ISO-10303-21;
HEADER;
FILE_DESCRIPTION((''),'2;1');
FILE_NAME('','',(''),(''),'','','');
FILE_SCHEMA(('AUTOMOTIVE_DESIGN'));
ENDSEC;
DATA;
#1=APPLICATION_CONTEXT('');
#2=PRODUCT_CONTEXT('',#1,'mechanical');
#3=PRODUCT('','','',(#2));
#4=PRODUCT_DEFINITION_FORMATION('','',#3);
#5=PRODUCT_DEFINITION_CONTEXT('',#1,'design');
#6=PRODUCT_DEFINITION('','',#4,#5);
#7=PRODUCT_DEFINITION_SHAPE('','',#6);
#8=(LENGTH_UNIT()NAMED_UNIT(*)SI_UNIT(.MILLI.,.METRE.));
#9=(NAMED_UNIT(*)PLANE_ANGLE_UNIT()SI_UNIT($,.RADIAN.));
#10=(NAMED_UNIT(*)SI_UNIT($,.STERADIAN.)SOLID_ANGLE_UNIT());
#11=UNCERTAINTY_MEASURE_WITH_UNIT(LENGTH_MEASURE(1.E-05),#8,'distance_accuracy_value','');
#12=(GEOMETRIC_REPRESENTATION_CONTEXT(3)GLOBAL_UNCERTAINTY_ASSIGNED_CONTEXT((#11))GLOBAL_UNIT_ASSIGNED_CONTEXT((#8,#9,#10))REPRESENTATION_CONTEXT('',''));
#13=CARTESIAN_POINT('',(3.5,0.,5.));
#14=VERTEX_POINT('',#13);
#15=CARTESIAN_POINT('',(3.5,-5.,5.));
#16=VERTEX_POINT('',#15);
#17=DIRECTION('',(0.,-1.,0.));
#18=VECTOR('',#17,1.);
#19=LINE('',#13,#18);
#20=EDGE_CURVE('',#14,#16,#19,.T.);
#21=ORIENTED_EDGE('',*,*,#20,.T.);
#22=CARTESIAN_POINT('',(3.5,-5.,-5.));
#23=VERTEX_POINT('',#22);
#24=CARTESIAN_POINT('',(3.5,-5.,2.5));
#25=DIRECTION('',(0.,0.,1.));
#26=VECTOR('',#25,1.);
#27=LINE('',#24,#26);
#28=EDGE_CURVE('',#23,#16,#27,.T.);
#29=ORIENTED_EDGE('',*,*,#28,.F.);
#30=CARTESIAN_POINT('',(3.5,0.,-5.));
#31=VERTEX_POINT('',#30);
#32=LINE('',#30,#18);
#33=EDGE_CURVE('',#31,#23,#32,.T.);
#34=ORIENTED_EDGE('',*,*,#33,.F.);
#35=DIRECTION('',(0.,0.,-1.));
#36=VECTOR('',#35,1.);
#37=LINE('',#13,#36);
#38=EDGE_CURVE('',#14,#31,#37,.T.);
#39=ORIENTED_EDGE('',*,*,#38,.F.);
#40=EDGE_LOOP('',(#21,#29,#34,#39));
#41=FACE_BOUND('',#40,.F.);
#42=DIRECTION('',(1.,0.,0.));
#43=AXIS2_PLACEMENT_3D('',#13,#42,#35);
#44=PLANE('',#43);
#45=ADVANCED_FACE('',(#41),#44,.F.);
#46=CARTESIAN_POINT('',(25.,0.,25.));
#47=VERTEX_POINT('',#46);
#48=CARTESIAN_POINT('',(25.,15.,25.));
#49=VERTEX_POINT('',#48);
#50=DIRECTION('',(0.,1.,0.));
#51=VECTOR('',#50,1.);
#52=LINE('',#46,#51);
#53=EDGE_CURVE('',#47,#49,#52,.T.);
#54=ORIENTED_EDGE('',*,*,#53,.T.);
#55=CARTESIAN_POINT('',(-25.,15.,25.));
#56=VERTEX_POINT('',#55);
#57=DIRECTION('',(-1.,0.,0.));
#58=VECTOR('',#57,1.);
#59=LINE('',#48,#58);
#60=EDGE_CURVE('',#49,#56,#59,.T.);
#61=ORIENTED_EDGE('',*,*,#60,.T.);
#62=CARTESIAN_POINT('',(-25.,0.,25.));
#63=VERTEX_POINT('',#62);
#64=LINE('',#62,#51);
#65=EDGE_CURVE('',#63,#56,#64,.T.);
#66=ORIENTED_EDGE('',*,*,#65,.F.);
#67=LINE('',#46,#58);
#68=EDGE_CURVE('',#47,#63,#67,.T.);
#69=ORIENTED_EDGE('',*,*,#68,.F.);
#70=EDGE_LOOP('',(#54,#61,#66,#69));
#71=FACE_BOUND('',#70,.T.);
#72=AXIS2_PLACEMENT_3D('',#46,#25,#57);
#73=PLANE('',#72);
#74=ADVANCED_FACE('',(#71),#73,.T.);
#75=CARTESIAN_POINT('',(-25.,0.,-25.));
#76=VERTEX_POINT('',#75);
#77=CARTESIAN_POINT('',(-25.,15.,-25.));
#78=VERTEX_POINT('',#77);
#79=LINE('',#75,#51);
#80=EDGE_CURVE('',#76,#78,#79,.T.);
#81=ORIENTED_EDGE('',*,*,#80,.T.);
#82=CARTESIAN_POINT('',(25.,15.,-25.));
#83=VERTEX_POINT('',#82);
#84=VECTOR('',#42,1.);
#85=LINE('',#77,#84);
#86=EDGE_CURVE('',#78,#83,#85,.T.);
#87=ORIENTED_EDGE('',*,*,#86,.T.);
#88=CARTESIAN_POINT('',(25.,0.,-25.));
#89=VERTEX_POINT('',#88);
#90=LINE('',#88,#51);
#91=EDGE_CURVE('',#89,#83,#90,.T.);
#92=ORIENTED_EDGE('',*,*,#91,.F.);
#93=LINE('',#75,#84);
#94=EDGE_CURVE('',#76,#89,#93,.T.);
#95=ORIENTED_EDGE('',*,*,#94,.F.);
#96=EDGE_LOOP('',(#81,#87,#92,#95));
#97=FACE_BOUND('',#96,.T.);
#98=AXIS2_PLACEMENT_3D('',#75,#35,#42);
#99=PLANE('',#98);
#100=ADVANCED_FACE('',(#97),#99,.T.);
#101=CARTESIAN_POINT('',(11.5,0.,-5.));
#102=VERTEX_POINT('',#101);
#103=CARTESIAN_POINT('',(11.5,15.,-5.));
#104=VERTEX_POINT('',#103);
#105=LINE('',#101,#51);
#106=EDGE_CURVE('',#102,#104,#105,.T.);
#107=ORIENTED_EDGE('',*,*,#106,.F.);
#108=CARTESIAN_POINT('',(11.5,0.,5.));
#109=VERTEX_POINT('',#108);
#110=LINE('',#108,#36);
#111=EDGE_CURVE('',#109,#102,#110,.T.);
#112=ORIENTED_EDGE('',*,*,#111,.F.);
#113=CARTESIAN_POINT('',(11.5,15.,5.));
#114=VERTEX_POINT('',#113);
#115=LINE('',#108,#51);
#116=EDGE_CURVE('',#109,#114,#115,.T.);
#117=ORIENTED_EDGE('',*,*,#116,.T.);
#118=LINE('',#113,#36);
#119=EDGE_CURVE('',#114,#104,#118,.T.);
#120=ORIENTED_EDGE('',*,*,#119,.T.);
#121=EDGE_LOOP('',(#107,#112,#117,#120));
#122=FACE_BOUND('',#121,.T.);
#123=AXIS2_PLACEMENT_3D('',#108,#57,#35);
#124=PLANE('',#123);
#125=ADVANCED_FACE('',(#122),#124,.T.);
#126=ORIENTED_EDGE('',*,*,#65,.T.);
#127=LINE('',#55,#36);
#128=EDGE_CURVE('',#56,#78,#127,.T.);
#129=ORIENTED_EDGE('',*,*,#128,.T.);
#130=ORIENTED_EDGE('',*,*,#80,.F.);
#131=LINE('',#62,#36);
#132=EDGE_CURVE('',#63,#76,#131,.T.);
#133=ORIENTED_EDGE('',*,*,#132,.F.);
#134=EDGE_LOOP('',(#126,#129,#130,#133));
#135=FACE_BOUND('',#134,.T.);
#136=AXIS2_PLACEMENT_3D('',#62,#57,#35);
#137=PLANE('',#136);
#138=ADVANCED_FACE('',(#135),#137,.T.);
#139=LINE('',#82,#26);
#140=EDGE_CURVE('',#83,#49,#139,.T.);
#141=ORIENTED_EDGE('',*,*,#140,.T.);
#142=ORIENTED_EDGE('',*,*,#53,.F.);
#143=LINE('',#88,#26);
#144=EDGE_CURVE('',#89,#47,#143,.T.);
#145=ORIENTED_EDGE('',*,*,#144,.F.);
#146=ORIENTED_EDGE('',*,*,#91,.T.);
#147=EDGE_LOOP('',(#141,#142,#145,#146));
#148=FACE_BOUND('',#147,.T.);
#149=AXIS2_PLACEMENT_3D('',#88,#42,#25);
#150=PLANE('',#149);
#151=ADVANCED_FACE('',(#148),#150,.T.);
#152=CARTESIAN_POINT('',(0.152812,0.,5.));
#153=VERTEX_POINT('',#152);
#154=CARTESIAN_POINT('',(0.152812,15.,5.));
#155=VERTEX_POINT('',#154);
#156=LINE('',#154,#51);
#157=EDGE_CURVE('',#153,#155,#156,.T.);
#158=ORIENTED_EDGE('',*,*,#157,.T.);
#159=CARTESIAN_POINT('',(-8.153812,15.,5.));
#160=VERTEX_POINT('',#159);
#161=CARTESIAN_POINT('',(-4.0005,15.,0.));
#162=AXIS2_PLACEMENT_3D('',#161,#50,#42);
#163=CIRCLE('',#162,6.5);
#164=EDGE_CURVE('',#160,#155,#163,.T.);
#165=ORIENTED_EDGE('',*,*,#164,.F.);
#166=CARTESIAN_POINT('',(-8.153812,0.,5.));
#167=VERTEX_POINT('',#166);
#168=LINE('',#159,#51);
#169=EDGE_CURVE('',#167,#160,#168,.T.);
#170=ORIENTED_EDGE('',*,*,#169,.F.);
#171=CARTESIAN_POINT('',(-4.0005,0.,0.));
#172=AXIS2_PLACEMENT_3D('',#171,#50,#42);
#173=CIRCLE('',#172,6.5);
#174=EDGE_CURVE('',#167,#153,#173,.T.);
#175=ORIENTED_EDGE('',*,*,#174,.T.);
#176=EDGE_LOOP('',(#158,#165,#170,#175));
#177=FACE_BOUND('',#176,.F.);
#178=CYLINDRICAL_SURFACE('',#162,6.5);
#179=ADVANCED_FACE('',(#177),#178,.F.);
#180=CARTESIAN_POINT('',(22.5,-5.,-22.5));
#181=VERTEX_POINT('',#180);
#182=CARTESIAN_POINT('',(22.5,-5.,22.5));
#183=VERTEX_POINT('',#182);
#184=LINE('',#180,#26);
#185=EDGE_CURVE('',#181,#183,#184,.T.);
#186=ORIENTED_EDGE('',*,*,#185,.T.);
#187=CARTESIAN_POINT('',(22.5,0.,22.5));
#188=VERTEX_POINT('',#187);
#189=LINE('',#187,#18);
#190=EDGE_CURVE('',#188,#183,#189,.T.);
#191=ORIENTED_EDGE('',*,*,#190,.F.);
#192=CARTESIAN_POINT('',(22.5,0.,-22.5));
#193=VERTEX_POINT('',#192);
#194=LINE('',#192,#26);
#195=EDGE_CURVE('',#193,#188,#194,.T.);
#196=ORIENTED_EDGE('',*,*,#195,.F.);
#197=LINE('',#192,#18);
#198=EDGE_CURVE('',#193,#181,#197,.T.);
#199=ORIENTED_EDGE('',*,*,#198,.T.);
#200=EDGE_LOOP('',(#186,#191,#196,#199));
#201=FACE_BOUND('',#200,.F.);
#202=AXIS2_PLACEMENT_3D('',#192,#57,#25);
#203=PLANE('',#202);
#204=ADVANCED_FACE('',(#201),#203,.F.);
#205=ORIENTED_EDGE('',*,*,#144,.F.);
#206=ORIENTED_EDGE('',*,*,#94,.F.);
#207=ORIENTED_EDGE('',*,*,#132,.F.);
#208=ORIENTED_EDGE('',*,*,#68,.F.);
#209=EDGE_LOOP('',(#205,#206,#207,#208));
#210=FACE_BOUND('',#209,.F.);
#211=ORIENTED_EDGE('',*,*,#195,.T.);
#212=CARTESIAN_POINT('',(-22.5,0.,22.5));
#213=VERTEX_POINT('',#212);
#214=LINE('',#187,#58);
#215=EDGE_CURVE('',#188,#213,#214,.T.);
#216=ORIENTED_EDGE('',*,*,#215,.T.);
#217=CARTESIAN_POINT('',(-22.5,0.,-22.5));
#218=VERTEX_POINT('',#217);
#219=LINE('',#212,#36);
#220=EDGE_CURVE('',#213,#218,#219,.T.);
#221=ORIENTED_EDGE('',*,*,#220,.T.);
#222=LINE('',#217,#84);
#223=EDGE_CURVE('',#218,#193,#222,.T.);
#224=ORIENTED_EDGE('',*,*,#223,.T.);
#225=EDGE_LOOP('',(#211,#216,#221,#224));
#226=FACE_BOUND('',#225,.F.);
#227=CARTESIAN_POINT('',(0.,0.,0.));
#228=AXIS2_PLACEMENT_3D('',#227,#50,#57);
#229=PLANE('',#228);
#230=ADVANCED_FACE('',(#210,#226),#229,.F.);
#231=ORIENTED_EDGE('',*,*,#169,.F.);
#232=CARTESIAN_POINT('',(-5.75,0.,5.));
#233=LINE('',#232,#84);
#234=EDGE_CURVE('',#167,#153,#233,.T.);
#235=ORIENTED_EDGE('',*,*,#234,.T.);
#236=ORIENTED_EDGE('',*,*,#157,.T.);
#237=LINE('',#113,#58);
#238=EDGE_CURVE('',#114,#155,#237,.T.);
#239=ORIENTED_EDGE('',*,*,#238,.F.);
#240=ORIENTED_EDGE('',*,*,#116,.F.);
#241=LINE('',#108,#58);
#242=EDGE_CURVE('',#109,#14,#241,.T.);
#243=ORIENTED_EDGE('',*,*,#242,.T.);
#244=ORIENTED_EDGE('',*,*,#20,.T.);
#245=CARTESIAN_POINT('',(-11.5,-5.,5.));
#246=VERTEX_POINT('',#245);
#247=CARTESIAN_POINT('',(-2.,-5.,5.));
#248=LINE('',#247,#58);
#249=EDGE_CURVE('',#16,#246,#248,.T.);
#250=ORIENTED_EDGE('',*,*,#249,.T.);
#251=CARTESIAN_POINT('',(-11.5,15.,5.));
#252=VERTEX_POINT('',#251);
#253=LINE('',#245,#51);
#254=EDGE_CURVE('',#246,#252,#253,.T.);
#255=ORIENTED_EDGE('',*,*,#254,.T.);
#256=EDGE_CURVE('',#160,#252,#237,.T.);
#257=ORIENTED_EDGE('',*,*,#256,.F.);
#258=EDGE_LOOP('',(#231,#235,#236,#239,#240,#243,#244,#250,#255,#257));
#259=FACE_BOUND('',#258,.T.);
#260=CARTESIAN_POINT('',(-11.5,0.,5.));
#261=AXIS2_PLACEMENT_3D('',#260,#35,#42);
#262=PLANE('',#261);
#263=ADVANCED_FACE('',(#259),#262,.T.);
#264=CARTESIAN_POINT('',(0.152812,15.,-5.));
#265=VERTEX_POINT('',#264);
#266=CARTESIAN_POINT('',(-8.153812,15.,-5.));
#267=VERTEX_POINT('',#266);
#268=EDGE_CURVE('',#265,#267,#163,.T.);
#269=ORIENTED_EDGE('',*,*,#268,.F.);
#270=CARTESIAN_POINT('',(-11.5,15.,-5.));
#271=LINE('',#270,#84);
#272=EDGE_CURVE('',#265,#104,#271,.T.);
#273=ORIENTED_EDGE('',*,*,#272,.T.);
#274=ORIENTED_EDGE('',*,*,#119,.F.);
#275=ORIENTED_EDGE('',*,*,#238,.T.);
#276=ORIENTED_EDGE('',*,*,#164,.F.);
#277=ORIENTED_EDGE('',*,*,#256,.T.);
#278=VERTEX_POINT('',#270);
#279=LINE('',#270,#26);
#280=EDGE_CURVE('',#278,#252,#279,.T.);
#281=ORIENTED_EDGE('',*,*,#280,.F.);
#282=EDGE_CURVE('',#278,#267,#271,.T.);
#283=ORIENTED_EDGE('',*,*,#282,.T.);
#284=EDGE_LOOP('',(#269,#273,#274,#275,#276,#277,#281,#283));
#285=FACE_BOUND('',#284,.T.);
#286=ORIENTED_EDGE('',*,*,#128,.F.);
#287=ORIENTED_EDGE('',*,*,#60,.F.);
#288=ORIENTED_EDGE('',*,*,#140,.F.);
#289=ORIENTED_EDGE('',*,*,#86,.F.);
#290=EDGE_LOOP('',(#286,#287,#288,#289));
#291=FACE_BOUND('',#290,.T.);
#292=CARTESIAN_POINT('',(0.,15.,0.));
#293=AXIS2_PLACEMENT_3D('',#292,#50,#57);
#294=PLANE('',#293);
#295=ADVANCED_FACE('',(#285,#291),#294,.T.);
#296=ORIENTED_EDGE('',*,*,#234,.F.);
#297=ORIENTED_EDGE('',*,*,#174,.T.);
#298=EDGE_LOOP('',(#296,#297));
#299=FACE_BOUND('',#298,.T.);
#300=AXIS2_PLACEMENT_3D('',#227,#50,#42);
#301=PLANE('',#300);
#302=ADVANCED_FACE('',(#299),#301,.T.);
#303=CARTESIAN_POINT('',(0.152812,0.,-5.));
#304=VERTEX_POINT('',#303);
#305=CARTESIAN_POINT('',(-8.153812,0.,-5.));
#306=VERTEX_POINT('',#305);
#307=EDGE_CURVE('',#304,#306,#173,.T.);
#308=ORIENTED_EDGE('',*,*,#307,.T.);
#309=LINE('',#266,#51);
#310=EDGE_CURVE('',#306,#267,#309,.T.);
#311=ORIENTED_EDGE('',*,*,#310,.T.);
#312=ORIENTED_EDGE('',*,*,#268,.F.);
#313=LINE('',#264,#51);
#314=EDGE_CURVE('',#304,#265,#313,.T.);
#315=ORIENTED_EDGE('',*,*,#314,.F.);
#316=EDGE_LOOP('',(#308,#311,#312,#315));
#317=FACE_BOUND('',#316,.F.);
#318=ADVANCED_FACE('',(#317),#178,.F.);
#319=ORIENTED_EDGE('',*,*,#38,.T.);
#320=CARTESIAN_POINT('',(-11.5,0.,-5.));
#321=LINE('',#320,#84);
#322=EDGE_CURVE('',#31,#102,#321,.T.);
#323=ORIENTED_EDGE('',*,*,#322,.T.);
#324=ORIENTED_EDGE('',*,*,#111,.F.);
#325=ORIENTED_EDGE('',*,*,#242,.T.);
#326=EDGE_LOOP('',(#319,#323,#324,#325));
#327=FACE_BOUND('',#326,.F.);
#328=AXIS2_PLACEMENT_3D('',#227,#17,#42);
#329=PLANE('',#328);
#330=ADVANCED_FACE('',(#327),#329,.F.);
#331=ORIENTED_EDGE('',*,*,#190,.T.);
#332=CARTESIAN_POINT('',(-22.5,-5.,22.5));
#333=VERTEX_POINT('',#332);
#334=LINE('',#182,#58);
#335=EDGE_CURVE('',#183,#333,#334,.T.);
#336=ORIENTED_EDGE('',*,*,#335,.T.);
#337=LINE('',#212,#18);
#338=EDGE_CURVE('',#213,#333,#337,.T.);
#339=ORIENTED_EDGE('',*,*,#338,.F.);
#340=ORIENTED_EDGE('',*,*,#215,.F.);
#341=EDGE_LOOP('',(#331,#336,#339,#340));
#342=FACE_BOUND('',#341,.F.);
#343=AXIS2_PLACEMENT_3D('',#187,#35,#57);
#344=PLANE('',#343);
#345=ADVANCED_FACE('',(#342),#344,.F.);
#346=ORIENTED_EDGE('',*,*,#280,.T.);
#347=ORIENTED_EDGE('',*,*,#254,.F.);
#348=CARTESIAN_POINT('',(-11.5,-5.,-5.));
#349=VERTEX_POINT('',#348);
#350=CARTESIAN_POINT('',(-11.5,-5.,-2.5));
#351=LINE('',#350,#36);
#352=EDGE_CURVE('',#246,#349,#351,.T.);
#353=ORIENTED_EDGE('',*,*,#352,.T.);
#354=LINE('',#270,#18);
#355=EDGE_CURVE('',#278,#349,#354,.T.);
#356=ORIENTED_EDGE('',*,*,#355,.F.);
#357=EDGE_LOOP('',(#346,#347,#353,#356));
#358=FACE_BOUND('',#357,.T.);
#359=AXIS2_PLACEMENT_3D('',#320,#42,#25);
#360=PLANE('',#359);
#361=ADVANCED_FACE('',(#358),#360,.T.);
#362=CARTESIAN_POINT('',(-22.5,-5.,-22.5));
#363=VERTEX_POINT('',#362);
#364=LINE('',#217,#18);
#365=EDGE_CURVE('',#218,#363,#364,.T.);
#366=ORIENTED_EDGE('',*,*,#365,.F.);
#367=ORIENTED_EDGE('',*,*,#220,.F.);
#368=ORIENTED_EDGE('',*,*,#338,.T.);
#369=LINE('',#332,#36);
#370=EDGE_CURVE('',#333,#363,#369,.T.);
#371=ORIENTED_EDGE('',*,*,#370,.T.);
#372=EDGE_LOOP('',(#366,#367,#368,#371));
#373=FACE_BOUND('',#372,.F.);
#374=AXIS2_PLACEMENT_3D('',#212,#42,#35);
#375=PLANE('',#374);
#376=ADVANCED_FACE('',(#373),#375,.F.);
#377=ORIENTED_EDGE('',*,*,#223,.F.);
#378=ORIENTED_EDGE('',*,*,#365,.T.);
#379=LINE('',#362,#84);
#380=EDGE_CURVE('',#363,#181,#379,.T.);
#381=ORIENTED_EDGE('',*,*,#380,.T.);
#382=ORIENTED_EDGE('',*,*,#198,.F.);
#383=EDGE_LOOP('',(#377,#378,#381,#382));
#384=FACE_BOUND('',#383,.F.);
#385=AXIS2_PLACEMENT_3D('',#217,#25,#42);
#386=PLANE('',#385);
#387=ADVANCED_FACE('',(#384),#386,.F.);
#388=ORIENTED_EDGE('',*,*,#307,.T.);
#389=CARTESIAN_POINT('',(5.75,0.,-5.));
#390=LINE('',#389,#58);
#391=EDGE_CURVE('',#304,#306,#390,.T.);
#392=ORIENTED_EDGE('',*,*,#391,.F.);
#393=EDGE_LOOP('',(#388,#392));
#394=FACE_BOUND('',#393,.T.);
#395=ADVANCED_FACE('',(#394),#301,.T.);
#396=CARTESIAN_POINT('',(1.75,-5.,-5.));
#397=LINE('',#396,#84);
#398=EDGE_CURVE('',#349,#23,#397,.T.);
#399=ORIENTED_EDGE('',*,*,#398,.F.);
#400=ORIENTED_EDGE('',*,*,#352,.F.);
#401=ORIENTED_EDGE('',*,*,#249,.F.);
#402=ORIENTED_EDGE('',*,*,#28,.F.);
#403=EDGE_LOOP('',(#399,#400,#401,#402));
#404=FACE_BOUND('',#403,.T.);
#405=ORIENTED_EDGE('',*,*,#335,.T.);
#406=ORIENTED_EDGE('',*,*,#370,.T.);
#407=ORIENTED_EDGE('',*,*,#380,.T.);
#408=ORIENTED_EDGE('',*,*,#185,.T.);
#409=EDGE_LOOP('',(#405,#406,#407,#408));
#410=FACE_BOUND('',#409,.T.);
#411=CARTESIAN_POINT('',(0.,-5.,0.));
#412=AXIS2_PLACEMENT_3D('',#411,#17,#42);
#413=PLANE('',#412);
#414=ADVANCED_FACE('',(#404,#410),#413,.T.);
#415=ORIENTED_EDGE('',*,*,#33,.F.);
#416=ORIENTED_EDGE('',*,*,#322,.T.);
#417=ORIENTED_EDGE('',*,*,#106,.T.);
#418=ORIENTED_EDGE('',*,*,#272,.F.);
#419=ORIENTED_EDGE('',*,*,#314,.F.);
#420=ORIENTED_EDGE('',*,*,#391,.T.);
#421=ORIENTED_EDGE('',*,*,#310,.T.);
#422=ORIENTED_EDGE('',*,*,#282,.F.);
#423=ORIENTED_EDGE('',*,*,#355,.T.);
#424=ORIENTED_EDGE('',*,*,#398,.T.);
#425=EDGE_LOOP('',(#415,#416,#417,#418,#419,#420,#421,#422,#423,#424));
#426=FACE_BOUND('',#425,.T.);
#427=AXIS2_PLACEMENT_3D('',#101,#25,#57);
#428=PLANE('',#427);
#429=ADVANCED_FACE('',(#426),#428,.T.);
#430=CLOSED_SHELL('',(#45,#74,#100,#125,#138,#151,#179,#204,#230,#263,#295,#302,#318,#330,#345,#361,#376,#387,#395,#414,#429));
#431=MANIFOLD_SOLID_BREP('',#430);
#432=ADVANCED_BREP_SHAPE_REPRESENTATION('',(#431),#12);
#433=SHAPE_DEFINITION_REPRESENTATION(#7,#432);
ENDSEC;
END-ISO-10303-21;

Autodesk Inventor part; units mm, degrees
ref_plane "YZ Plane" through (0, 0, 0) normal (1, 0, 0) x (0, 1, 0)
ref_plane "XZ Plane" through (0, 0, 0) normal (0, 1, 0) x (-1, 0, 0)
ref_plane "XY Plane" through (0, 0, 0) normal (0, 0, 1) x (1, 0, 0)
sketch "Эскиз1" plane through (0, 0, 0) normal (0, 1, 0) x (-1, 0, 0)
  line L0 (-25, 25) -> (25, 25)
  line L1 (25, 25) -> (25, -25)
  line L2 (25, -25) -> (-25, -25)
  line L3 (-25, -25) -> (-25, 25)
  line L4 (-25, 25) -> (25, -25) construction
  line L5 (25, 25) -> (-25, -25) construction
  line L6 (-11.5, -5) -> (11.5, -5)
  line L7 (11.5, -5) -> (11.5, 5)
  line L8 (11.5, 5) -> (-11.5, 5)
  line L9 (-11.5, 5) -> (-11.5, -5)
  line L10 (-11.5, -5) -> (11.5, 5) construction
  line L11 (11.5, -5) -> (-11.5, 5) construction
  line L12 (-3.5, 5) -> (-3.5, -5)
  line L13 (4, 5) -> (4, -5) construction
  circle A0 centre (4, 0) radius 5
  point P0 (0, 0)
  point P1 (4, -5)
  point P2 (4, 5)
  dimension "d0" = 50
  dimension "d1" = 50
  dimension "d2" = 23
  dimension "d3" = 10
  dimension "d4" = 8
  dimension "d29" = 7.5
  dimension "d30" = 10
extrude "Выдавливание13" add sketch "Эскиз1" along normal blind 15
sketch "Эскиз6" plane through (0, 0, 0) normal (0, -1, 0) x (1, 0, 0)
  line L0 (22.5, 22.5) -> (-22.5, 22.5)
  line L1 (-22.5, 22.5) -> (-22.5, -22.5)
  line L2 (-22.5, -22.5) -> (22.5, -22.5)
  line L3 (22.5, -22.5) -> (22.5, 22.5)
  line L4 (22.5, 22.5) -> (-22.5, -22.5) construction
  line L5 (-22.5, 22.5) -> (22.5, -22.5) construction
  point P0 (0, 0)
  dimension "d41" = 45
  dimension "d42" = 45
extrude "Выдавливание14" add sketch "Эскиз6" along normal blind 5
extrude "Выдавливание15" cut sketch "Эскиз1" against normal through all contours L12 L8 A0 L6 | A0 L8 L7 L6 | A0
sketch "Эскиз7" plane through (0, 15, 0) normal (0, 1, 0) x (1, 0, 0)
  circle A0 centre (-4.0005, 0) radius 6.5
  line L0 (25, 25) -> (-25, 25) projected
  line L1 (-25, 25) -> (-25, -25) projected
  point P0 (0, 0)
  dimension "d47" = 13
  dimension "d48" = 25
  dimension "d49" = 20.9995
extrude "Выдавливание16" cut sketch "Эскиз7" against normal blind 15
properties part number "platform"
